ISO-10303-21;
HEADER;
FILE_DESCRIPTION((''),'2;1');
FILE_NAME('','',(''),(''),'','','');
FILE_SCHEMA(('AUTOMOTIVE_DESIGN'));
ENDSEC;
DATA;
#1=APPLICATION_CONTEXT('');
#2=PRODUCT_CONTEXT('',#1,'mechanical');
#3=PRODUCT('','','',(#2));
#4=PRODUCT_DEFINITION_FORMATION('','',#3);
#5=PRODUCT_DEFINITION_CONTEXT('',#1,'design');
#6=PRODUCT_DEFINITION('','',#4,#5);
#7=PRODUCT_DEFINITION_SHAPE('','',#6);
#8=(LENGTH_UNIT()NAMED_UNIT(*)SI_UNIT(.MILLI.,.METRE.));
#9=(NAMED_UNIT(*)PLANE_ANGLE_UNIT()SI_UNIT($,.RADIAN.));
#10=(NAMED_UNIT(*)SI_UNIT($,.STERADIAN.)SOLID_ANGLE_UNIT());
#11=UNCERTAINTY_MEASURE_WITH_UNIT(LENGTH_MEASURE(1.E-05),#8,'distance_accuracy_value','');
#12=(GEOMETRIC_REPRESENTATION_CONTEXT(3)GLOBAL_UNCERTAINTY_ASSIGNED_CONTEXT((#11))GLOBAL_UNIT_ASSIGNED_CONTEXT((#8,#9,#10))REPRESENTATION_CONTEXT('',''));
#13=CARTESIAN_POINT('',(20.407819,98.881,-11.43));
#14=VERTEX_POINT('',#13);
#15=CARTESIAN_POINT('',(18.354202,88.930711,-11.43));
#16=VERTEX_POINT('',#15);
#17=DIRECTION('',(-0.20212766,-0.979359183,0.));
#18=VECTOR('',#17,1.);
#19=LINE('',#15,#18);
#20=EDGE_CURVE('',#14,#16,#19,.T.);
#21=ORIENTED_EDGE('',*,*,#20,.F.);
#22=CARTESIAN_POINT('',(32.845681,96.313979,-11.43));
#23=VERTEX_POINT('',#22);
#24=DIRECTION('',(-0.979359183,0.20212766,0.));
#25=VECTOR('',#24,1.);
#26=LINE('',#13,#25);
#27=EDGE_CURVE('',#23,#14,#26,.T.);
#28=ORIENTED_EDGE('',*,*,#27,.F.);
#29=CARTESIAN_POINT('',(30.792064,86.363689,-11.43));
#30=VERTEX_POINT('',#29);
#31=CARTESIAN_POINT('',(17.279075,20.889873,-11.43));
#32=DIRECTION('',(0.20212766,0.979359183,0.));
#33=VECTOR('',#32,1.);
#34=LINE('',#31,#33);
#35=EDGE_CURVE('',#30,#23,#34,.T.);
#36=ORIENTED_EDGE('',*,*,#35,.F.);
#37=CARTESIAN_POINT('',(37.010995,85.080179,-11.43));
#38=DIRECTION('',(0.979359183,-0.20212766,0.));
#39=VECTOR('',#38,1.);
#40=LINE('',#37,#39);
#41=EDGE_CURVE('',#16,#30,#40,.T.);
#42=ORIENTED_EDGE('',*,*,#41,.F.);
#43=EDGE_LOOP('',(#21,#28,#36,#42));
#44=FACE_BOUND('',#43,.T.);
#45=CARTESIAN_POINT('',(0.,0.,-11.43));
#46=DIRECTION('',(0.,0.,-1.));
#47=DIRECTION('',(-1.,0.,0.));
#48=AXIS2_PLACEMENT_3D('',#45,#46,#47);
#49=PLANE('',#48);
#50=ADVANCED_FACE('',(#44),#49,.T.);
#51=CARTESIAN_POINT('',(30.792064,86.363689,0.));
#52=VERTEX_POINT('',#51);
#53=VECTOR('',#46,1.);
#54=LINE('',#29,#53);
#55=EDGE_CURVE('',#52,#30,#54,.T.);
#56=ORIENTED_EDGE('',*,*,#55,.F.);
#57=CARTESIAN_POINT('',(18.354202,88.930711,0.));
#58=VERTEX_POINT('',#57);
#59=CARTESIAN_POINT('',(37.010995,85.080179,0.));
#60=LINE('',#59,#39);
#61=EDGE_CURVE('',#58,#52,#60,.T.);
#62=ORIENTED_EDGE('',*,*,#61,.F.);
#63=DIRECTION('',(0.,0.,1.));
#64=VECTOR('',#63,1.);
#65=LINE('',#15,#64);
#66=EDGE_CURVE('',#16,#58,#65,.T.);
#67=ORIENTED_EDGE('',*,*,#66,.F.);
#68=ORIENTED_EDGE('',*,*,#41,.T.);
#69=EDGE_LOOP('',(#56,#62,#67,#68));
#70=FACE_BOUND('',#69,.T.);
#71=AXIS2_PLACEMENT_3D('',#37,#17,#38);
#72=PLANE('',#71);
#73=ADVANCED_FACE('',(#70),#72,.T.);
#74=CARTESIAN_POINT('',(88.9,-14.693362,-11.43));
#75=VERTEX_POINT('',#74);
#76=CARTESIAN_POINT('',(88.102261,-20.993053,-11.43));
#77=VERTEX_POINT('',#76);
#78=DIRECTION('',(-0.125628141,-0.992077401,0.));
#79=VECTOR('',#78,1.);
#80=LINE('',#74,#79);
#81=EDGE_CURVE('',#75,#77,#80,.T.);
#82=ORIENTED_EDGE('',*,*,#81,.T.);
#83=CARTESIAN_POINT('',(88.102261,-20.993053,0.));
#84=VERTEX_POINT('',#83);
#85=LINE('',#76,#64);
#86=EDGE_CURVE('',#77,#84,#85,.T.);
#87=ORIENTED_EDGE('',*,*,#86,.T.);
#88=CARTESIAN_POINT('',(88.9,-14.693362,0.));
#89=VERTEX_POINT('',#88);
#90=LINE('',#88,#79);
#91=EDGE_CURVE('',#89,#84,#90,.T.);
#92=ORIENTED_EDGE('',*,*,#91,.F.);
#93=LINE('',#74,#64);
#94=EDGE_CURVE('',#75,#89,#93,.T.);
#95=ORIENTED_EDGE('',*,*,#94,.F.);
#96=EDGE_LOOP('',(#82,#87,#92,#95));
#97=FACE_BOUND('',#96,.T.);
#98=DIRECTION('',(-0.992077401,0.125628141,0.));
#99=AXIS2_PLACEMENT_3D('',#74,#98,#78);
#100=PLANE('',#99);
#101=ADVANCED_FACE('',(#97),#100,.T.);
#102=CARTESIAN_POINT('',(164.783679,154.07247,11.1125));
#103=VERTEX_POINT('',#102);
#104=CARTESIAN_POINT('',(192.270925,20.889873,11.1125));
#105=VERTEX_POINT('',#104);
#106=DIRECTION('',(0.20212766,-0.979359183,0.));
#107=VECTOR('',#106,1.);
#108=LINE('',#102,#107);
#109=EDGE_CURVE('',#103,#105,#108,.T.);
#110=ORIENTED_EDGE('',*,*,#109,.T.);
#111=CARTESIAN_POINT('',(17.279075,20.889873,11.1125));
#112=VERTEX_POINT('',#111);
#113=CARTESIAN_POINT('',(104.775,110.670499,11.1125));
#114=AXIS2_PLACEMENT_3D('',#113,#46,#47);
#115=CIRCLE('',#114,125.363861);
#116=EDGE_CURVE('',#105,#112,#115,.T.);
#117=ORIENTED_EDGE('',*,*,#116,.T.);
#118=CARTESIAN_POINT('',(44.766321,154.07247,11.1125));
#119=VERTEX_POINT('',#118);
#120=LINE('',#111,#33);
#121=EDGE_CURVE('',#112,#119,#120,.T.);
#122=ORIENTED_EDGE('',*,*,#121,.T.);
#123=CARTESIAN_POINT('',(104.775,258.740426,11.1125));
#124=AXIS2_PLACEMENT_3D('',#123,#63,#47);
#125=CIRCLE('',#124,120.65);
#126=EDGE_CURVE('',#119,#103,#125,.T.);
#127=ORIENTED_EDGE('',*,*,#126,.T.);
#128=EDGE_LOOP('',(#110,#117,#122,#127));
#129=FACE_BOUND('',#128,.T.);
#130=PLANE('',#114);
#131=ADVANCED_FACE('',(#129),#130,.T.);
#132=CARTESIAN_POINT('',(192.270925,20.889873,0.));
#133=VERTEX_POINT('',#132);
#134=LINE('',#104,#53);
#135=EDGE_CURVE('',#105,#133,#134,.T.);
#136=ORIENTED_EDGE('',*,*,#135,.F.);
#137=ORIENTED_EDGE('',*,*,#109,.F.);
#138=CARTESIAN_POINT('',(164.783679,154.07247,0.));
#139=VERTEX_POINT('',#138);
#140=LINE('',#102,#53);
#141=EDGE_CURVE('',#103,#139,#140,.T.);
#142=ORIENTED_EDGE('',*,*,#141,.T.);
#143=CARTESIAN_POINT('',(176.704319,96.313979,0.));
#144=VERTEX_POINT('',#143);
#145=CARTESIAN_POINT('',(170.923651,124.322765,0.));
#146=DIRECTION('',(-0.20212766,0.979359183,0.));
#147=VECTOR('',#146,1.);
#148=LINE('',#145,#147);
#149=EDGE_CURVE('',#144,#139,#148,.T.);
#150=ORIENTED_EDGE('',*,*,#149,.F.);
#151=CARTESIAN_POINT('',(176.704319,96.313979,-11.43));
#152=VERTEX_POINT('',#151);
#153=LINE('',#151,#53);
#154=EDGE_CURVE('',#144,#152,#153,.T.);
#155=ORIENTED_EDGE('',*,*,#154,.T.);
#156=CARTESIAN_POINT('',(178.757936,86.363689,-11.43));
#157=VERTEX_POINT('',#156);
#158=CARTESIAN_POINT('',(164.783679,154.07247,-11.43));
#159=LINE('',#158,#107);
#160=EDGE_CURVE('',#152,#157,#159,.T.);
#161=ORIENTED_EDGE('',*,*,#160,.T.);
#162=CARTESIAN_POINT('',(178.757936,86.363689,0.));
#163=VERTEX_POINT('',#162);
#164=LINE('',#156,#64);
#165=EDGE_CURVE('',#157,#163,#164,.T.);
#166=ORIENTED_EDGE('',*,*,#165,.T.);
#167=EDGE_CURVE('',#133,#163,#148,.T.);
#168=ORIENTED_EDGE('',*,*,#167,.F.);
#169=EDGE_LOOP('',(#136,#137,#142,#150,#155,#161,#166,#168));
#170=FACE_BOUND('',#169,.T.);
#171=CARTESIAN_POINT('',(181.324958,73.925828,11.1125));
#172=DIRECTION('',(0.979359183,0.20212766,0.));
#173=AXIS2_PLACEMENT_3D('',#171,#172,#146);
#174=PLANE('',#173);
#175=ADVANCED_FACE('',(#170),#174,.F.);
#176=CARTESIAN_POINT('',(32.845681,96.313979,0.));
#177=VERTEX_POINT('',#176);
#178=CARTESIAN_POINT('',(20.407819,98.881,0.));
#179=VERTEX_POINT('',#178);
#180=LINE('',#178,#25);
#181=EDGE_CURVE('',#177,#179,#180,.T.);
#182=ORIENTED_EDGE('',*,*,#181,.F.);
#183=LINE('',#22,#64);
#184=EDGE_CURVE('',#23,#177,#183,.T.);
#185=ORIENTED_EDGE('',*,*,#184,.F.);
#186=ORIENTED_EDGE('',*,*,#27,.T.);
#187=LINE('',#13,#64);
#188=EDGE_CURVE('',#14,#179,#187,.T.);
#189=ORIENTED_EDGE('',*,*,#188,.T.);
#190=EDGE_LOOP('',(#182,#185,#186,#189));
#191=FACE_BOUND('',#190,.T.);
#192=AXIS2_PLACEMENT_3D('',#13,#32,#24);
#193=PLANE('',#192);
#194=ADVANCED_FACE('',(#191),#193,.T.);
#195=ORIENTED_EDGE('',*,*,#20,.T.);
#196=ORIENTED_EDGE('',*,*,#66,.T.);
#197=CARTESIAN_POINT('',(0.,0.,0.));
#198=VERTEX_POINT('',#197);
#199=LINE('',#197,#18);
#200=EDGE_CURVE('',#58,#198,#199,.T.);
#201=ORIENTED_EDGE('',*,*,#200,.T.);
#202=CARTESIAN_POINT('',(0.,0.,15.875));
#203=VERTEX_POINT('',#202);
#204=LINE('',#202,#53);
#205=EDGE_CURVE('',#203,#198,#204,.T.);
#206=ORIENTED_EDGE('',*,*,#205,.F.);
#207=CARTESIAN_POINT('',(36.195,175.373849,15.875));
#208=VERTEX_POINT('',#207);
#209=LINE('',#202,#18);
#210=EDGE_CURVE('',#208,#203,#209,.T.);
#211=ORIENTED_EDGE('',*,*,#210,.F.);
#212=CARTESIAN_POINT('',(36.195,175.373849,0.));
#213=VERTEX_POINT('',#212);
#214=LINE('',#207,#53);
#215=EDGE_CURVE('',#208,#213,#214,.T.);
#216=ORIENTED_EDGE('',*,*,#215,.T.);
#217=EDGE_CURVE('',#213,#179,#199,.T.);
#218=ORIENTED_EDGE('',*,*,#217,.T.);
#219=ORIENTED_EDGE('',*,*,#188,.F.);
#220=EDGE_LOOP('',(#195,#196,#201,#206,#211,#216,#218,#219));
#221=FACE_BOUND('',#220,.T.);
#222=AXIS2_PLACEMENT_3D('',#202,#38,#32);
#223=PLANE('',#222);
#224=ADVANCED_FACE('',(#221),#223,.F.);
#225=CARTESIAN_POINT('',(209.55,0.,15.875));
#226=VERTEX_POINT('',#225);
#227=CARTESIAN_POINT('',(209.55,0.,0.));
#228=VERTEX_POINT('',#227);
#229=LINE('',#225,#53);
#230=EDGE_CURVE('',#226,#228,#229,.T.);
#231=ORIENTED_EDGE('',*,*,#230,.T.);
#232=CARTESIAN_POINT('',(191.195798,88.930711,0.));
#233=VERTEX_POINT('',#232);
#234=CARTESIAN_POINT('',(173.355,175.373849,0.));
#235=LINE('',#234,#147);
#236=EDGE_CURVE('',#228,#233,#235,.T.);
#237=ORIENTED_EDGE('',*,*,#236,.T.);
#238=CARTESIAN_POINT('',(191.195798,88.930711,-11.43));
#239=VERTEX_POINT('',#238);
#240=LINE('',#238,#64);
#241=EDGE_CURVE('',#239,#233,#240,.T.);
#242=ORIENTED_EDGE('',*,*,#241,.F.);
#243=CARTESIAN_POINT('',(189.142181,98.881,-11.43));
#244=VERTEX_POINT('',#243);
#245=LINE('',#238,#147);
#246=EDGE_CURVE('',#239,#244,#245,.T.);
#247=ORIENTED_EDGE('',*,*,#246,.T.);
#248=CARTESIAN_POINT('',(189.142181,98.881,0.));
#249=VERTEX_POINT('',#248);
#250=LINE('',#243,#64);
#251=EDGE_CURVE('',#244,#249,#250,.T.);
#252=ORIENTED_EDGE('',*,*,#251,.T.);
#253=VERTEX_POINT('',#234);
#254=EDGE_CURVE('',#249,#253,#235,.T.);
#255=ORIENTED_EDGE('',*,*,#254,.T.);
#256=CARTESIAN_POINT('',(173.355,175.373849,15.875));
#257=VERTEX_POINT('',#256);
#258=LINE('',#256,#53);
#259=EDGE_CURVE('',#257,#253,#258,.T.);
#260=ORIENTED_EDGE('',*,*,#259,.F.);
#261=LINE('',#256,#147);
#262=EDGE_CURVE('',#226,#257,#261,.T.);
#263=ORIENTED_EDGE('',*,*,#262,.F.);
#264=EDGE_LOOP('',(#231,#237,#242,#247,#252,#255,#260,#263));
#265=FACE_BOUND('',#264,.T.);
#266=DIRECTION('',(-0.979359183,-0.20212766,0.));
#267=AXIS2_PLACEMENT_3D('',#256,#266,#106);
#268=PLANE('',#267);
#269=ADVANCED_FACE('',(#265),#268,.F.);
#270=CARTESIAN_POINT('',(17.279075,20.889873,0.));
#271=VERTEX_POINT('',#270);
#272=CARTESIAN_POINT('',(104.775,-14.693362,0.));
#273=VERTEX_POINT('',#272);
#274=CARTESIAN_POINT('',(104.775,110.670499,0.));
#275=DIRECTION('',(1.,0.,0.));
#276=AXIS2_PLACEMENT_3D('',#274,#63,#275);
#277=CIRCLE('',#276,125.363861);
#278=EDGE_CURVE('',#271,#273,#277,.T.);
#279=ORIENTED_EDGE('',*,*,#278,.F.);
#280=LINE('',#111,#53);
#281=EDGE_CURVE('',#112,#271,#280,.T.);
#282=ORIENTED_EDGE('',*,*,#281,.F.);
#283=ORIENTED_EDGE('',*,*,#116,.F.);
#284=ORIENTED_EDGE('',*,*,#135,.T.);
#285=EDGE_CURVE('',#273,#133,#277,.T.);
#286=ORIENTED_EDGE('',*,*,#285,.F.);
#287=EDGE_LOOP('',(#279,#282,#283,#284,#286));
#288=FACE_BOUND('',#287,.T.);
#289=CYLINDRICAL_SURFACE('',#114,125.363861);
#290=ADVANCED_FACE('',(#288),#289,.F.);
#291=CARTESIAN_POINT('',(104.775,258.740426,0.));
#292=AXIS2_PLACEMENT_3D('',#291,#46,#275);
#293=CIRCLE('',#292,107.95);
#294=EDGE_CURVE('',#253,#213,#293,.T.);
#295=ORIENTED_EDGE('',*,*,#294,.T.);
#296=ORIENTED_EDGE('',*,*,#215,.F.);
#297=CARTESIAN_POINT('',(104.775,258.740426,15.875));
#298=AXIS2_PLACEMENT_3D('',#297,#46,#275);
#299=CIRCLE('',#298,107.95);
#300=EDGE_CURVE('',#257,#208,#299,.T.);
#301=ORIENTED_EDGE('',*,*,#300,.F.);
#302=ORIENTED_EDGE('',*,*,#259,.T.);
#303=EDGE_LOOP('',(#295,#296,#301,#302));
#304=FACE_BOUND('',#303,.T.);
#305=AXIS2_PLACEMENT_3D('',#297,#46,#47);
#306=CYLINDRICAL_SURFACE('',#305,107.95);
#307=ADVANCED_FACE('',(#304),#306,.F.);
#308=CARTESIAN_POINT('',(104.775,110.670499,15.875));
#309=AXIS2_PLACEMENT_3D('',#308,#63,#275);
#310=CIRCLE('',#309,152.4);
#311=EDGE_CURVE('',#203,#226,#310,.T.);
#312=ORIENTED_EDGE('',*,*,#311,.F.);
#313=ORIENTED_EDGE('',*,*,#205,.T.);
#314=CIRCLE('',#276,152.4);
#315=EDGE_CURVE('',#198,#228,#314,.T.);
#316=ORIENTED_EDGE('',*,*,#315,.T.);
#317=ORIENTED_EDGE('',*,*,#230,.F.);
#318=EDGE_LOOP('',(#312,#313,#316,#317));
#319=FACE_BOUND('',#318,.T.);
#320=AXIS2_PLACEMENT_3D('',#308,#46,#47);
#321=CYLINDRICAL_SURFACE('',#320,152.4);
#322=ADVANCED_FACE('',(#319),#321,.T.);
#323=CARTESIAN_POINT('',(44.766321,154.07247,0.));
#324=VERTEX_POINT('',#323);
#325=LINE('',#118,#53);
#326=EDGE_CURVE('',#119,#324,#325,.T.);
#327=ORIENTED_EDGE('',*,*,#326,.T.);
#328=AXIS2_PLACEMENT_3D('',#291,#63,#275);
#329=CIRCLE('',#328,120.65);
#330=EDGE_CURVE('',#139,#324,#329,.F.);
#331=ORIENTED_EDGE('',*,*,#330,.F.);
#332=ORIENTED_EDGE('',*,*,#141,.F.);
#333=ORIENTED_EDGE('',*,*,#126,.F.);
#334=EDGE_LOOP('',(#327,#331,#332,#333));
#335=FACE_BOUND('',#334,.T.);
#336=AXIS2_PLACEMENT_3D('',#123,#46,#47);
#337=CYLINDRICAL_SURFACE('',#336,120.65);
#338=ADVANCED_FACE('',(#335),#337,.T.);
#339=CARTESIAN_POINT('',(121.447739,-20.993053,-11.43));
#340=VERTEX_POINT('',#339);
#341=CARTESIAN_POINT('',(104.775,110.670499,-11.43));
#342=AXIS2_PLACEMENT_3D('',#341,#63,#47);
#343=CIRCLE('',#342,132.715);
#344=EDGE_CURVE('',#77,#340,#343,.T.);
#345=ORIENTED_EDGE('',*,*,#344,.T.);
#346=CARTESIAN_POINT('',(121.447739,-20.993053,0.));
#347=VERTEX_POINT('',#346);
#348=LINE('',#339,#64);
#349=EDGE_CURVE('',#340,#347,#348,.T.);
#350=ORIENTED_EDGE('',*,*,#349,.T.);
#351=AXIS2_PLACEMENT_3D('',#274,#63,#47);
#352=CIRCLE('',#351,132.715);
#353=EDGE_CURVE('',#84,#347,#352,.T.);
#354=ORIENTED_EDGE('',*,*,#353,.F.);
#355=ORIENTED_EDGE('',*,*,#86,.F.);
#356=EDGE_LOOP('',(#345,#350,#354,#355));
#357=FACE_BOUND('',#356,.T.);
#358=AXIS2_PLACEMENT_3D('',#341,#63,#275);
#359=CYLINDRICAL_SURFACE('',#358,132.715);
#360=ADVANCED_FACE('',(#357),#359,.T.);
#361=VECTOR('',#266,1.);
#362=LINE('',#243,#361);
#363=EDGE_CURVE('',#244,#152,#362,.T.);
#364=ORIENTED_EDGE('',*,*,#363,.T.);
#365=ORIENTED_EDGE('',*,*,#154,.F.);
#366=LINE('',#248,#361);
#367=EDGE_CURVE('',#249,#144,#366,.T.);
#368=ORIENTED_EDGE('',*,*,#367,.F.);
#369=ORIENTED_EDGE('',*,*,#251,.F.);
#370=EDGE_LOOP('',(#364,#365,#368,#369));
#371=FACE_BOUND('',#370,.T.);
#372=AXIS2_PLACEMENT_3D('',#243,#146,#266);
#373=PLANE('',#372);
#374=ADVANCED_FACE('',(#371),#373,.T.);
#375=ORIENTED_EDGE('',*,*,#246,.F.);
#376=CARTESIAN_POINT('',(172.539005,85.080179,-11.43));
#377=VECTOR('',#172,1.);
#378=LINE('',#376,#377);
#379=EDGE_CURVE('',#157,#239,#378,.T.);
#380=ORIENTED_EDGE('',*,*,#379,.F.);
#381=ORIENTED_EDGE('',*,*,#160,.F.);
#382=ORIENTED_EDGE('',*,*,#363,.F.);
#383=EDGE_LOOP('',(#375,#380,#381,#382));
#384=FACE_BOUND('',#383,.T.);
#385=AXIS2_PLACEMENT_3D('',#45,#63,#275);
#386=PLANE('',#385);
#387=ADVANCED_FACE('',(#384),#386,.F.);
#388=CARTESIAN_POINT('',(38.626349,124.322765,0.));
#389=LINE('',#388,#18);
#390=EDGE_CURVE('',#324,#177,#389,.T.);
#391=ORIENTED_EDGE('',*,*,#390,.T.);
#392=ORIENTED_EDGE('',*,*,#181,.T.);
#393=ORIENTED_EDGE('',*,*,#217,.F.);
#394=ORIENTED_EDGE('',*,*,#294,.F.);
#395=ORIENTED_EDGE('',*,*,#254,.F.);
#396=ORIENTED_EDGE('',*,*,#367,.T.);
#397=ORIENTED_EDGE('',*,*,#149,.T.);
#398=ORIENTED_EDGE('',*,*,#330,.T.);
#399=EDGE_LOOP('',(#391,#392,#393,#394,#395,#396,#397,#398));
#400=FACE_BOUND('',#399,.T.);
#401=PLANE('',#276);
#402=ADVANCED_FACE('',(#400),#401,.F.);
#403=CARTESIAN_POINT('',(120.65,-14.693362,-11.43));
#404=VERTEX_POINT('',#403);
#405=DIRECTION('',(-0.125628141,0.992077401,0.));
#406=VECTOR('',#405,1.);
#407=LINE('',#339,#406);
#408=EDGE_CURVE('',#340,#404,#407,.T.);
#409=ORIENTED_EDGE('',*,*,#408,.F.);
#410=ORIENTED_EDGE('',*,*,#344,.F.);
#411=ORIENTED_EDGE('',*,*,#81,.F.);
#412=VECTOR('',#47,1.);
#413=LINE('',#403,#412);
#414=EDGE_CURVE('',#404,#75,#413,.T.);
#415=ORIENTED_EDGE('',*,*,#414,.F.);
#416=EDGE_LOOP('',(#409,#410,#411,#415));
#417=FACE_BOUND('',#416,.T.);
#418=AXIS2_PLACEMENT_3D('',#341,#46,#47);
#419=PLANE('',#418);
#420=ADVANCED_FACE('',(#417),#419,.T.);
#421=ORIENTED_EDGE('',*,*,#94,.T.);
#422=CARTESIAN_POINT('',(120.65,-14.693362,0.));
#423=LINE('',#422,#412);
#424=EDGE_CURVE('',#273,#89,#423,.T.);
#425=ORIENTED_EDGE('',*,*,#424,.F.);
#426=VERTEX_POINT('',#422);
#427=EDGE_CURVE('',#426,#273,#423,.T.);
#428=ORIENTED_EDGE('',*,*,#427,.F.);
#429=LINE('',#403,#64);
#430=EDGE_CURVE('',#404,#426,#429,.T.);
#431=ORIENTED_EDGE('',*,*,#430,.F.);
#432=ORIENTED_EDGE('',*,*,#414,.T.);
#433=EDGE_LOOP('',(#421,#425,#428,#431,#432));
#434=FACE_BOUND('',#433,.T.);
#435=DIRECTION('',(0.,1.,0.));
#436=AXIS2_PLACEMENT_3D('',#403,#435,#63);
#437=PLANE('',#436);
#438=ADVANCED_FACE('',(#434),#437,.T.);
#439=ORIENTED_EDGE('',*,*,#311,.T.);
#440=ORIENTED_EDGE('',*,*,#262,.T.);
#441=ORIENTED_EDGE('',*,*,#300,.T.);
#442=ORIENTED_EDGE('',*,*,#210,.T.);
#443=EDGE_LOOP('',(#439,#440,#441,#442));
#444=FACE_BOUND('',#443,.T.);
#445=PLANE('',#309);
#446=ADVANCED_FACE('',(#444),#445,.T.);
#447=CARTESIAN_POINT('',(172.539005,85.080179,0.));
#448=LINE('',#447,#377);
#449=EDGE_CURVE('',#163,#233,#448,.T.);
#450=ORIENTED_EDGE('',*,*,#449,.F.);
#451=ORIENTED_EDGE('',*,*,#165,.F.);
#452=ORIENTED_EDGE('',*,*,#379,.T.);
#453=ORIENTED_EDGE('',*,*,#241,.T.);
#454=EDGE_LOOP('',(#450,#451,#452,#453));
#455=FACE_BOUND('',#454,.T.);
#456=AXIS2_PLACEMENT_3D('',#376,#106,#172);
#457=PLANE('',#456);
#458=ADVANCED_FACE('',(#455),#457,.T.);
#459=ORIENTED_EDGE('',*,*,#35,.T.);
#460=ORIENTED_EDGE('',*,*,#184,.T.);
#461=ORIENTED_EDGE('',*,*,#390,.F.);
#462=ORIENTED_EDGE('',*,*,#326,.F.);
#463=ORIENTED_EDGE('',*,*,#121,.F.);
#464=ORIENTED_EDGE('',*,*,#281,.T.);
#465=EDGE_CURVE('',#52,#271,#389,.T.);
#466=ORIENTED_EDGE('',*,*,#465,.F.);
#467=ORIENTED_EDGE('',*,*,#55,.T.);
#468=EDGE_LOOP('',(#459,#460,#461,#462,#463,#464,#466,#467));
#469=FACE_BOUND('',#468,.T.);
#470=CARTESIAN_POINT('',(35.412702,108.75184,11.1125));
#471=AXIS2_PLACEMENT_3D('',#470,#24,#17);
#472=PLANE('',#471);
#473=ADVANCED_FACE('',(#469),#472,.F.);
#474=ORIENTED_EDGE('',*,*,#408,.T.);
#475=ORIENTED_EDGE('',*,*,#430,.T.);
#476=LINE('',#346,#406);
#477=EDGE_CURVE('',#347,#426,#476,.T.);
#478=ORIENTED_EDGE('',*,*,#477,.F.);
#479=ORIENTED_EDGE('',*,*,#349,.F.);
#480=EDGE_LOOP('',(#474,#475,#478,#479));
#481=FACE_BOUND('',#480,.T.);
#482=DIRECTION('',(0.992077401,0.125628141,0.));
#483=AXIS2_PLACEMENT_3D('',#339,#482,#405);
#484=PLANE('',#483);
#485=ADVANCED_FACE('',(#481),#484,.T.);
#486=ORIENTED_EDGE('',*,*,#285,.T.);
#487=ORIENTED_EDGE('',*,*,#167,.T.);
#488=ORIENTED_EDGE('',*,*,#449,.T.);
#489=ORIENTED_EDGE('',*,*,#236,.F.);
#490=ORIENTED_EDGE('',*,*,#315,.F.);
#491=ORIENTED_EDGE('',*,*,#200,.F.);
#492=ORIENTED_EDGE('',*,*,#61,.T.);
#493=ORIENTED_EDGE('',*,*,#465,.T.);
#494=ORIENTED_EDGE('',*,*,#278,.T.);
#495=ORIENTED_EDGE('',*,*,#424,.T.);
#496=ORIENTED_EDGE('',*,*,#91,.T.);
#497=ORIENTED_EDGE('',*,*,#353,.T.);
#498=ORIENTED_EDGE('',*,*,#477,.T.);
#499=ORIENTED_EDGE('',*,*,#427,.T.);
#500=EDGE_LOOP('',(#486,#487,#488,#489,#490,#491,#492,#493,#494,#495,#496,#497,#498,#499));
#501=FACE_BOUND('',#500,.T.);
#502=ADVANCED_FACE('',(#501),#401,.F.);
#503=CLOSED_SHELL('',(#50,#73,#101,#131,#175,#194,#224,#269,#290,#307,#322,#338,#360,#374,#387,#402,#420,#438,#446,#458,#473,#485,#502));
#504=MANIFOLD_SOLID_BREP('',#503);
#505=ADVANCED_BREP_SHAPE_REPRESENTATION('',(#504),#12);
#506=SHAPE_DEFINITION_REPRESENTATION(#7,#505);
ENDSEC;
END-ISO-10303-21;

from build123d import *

# Parameters (mm, degrees)
BOSS_EXTRUDE1_DEPTH     = 15.875
BOSS_EXTRUDE2_DEPTH     = 11.43
CUT_EXTRUDE1_DEPTH      = 12.43
CUT_EXTRUDE1_DEPTH_BACK = 11.1125


with BuildPart() as part:
    # Sketch1 → Boss-Extrude1 (new body)
    with BuildSketch(Plane.XY):
        with BuildLine():
            Line((0, 0), (36.195, 175.373848891))
            ThreePointArc((36.195, 175.373848891), (104.775, 150.790425527), (173.355, 175.373848891))
            Line((173.355, 175.373848891), (209.55, 0))
            ThreePointArc((209.55, 0), (104.775, -41.729500882), (0, 0))
        make_face()
    extrude(amount=BOSS_EXTRUDE1_DEPTH)

    # Sketch2 → Boss-Extrude2 (add)
    with BuildSketch(Plane.XY):
        Polygon((20.407819149, 98.880999907), (39.064611584, 95.030467992), (37.010994563, 85.080178693), (18.354202128, 88.930710608), align=None)
        Polygon((189.142180851, 98.880999907), (170.485388416, 95.030467992), (172.539005437, 85.080178693), (191.195797872, 88.930710608), align=None)
        with BuildLine():
            Line((121.447738693, -20.993053202), (120.65, -14.693361703))
            Line((120.65, -14.693361703), (88.9, -14.693361703))
            Line((88.9, -14.693361703), (88.102261307, -20.993053202))
            ThreePointArc((88.102261307, -20.993053202), (104.775, -22.044500882), (121.447738693, -20.993053202))
        make_face()
    extrude(amount=-BOSS_EXTRUDE2_DEPTH)

    # Sketch4 → Cut-Extrude1 (cut, two sides)
    with BuildSketch(Plane(origin=(0, 0, 0), x_dir=(-1, 0, 0), z_dir=(0, 0, -1))) as cut_extrude1_sk:
        with BuildLine():
            Line((-174.137297951, 108.751840254), (-181.324957525, 73.925827708))
            Line((-181.324957525, 73.925827708), (-192.270924578, 20.889873244))
            ThreePointArc((-192.270924578, 20.889873244), (-104.775, -14.693361703), (-17.279075422, 20.889873244))
            Line((-17.279075422, 20.889873244), (-28.225042475, 73.925827708))
            Line((-28.225042475, 73.925827708), (-35.412702049, 108.751840254))
            Line((-35.412702049, 108.751840254), (-44.766321163, 154.072469762))
            ThreePointArc((-44.766321163, 154.072469762), (-104.775, 138.090425527), (-164.783678837, 154.072469762))
            Line((-164.783678837, 154.072469762), (-174.137297951, 108.751840254))
        make_face()
    extrude(amount=CUT_EXTRUDE1_DEPTH, mode=Mode.SUBTRACT)
    extrude(cut_extrude1_sk.sketch, amount=-CUT_EXTRUDE1_DEPTH_BACK, mode=Mode.SUBTRACT)


solid = part.part
